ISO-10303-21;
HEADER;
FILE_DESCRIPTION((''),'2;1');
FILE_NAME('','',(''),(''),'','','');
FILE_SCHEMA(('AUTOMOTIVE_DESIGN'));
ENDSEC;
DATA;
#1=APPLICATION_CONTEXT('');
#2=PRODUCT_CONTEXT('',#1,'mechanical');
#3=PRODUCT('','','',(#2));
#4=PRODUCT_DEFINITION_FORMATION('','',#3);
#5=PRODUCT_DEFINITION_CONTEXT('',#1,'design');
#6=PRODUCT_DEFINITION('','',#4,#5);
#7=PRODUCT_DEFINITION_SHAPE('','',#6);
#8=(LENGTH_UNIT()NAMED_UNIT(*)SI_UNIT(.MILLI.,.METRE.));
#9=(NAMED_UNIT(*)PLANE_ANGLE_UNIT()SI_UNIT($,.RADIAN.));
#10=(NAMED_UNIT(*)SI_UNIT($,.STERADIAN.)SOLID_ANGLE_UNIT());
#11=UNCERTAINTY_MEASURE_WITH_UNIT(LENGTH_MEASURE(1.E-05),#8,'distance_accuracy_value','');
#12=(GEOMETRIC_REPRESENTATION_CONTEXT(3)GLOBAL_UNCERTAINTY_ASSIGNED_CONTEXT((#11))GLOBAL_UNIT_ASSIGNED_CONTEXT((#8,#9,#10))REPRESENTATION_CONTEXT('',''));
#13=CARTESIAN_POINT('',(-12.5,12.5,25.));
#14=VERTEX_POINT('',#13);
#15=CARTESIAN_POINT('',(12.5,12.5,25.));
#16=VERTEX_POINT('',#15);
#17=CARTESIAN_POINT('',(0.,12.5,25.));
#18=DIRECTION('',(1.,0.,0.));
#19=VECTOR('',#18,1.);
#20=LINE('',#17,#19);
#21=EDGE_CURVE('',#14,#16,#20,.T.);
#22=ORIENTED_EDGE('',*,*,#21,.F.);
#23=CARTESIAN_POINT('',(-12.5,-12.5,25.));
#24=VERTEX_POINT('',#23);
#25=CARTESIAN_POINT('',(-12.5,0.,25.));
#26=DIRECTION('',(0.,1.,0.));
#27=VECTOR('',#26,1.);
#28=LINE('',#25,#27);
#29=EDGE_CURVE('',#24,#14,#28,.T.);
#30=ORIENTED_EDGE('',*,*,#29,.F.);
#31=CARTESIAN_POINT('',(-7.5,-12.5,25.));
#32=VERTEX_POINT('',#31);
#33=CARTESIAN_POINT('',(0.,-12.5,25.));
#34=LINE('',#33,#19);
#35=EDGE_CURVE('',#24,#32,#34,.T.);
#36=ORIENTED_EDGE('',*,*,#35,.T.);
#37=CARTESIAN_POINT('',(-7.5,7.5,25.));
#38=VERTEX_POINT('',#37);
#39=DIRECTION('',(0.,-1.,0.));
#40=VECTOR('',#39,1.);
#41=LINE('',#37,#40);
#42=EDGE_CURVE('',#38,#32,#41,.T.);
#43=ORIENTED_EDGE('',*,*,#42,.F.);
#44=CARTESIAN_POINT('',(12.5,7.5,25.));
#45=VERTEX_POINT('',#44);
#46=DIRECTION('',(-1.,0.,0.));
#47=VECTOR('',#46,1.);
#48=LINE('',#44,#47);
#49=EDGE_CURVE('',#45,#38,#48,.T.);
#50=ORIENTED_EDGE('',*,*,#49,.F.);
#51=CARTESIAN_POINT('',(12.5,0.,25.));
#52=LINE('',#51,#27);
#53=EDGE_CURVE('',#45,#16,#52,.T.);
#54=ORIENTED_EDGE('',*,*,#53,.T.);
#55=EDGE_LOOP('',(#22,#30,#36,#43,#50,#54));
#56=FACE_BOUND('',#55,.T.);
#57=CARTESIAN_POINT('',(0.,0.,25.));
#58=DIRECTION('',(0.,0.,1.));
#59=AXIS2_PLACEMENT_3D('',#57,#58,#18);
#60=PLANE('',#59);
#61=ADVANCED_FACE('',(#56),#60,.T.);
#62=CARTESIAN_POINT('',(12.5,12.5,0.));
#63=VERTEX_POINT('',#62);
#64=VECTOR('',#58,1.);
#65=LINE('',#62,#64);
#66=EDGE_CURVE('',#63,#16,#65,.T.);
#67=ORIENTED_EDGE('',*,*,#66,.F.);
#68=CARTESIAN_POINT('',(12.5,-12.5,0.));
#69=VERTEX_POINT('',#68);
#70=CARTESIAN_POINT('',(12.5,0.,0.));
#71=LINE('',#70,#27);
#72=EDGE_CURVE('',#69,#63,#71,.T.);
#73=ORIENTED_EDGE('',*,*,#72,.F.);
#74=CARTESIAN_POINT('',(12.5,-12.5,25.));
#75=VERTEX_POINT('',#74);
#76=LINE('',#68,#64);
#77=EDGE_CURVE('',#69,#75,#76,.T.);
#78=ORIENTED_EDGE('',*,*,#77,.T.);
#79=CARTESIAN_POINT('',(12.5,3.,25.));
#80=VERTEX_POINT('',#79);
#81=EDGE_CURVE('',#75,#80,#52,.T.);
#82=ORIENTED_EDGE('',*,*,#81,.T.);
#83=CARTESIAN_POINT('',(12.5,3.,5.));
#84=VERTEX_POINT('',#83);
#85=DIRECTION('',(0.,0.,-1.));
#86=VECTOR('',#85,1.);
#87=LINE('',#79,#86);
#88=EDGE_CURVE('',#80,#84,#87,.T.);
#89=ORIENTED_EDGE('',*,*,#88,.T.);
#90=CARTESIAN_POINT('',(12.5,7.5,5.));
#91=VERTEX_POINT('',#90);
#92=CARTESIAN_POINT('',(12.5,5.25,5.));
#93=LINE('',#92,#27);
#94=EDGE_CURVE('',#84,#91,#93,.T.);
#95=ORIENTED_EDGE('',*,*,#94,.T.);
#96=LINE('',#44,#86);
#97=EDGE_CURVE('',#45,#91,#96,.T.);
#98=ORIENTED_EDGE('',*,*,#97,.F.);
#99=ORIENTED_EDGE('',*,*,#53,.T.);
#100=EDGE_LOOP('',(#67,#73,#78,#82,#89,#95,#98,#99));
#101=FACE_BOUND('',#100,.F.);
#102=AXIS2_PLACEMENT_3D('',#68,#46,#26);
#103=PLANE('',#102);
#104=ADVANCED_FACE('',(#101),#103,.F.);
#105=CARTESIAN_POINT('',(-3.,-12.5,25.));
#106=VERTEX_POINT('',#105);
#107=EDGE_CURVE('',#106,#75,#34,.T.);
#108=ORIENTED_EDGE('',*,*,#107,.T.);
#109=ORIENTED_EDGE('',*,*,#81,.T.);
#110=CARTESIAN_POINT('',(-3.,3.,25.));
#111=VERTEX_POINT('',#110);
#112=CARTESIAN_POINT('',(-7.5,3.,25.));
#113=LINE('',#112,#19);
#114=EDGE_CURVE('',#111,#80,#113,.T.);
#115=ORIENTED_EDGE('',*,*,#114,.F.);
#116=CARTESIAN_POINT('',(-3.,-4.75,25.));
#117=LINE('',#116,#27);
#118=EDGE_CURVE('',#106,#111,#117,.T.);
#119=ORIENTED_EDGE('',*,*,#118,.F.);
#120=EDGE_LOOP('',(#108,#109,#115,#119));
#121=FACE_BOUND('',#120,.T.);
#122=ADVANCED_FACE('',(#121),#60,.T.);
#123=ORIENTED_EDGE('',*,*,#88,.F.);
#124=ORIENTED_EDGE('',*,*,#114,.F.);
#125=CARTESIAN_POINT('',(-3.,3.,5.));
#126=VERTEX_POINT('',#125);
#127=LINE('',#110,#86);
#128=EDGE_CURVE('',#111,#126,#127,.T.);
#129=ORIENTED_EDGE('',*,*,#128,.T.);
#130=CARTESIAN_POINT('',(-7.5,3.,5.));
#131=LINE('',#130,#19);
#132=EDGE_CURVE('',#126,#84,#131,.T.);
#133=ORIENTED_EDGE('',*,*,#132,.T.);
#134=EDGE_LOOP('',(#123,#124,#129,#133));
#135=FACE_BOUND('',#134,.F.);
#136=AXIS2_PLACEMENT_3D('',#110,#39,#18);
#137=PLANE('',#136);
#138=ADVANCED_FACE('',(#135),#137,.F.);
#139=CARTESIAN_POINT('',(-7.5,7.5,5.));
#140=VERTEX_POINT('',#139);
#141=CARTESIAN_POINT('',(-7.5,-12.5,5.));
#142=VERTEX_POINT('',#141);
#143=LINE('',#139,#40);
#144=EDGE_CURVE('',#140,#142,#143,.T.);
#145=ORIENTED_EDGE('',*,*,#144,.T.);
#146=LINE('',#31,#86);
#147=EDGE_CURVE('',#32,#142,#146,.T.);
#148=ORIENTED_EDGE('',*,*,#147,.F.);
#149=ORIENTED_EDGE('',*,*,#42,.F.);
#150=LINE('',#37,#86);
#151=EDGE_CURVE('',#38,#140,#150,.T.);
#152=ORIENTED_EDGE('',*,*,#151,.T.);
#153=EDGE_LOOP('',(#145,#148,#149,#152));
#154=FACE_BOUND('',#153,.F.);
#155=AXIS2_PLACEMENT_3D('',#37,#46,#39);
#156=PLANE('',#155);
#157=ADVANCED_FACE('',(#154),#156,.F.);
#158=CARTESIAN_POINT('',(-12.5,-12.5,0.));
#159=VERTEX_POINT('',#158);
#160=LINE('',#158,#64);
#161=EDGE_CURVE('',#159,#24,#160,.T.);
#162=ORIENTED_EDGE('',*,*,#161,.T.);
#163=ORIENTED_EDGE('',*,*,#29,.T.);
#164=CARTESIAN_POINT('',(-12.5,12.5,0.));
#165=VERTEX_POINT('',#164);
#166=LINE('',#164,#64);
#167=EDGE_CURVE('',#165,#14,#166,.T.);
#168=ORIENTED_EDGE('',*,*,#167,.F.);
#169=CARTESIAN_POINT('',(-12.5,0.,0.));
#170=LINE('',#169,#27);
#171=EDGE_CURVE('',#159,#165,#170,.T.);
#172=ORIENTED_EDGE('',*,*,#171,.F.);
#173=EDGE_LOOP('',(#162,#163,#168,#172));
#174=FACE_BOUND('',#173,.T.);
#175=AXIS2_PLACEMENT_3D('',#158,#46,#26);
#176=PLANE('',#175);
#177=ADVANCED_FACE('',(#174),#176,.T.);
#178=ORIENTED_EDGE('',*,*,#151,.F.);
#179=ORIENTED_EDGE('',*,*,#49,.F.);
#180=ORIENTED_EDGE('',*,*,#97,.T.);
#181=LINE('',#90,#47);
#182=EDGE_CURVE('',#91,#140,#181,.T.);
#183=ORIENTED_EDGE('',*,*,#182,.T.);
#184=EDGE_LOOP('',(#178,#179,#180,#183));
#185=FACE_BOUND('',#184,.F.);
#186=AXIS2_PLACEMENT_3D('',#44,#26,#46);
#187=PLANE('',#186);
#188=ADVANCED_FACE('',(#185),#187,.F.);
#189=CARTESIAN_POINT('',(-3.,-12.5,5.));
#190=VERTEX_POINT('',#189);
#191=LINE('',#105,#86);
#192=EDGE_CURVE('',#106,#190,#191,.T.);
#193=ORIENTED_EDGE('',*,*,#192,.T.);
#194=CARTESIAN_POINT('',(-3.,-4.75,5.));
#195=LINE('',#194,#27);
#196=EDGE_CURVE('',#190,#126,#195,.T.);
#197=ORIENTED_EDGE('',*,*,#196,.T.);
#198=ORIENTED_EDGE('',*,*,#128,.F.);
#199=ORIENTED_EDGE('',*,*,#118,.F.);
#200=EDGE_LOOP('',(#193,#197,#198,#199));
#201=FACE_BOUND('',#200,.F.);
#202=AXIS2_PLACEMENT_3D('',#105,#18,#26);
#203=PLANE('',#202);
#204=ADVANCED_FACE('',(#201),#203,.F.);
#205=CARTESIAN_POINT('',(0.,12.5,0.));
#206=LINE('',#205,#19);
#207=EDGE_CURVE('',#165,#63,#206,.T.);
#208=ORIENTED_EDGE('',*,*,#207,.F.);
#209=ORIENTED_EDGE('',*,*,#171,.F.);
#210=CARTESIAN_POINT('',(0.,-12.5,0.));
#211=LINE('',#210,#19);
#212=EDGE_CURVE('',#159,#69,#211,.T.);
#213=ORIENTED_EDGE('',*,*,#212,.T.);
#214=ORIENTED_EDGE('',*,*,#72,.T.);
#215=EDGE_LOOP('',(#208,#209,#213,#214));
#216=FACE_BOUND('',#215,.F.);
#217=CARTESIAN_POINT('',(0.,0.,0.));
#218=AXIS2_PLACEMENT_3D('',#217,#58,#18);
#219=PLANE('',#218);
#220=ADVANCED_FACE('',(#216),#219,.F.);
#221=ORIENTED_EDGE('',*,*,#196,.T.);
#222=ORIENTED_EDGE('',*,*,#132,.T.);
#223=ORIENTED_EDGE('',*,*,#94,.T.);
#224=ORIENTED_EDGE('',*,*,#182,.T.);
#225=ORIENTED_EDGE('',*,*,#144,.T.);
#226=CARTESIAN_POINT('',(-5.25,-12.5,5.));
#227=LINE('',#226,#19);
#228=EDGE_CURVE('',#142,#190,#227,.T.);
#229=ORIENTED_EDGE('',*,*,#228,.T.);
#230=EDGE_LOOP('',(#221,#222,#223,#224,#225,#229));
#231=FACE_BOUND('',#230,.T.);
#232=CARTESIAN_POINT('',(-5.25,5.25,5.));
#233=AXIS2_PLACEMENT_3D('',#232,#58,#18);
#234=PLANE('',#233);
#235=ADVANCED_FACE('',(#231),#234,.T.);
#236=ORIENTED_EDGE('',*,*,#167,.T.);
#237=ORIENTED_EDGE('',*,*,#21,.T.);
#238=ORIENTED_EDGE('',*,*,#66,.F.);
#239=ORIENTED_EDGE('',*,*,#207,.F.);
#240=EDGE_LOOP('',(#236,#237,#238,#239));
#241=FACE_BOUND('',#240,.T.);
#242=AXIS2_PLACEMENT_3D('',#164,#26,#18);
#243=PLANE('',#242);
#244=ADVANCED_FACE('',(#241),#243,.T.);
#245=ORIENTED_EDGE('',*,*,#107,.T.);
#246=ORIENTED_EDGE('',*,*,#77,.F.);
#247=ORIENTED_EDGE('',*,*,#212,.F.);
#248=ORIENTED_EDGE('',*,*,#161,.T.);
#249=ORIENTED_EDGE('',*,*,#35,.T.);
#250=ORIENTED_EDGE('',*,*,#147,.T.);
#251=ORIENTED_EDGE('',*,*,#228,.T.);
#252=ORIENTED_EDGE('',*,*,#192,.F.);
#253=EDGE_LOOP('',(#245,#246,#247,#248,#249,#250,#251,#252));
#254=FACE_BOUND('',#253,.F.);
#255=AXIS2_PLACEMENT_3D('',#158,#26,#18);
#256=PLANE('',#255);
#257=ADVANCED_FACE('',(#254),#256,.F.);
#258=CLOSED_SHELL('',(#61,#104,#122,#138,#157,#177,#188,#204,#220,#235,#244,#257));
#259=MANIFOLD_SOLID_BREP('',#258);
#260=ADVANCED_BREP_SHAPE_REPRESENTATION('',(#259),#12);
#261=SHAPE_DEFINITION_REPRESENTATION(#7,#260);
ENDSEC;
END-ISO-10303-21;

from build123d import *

# Parameters (mm, degrees)
F0_W     = 25
F0_H     = 25
F1_DEPTH = 25
F2_W     = 4.5
F2_H     = 4.5
F2_W_2   = 15.5
F2_H_2   = 15.5
F3_DEPTH = 20


with BuildPart() as f1:
    # F0 (on Top) → F1 (new body)
    with BuildSketch(Plane.XY):
        Rectangle(F0_W, F0_H)
    extrude(amount=F1_DEPTH)

    # F2 (on face) → F3 (cut)
    with BuildSketch(Plane.XY.offset(25)):
        with Locations((-5.25, 5.25)):
            Rectangle(F2_W, F2_H)
        with Locations((4.75, 5.25)):
            Rectangle(F2_W_2, F2_H)
        with Locations((-5.25, -4.75)):
            Rectangle(F2_W, F2_H_2)
    extrude(amount=-F3_DEPTH, mode=Mode.SUBTRACT)


solid = f1.part
